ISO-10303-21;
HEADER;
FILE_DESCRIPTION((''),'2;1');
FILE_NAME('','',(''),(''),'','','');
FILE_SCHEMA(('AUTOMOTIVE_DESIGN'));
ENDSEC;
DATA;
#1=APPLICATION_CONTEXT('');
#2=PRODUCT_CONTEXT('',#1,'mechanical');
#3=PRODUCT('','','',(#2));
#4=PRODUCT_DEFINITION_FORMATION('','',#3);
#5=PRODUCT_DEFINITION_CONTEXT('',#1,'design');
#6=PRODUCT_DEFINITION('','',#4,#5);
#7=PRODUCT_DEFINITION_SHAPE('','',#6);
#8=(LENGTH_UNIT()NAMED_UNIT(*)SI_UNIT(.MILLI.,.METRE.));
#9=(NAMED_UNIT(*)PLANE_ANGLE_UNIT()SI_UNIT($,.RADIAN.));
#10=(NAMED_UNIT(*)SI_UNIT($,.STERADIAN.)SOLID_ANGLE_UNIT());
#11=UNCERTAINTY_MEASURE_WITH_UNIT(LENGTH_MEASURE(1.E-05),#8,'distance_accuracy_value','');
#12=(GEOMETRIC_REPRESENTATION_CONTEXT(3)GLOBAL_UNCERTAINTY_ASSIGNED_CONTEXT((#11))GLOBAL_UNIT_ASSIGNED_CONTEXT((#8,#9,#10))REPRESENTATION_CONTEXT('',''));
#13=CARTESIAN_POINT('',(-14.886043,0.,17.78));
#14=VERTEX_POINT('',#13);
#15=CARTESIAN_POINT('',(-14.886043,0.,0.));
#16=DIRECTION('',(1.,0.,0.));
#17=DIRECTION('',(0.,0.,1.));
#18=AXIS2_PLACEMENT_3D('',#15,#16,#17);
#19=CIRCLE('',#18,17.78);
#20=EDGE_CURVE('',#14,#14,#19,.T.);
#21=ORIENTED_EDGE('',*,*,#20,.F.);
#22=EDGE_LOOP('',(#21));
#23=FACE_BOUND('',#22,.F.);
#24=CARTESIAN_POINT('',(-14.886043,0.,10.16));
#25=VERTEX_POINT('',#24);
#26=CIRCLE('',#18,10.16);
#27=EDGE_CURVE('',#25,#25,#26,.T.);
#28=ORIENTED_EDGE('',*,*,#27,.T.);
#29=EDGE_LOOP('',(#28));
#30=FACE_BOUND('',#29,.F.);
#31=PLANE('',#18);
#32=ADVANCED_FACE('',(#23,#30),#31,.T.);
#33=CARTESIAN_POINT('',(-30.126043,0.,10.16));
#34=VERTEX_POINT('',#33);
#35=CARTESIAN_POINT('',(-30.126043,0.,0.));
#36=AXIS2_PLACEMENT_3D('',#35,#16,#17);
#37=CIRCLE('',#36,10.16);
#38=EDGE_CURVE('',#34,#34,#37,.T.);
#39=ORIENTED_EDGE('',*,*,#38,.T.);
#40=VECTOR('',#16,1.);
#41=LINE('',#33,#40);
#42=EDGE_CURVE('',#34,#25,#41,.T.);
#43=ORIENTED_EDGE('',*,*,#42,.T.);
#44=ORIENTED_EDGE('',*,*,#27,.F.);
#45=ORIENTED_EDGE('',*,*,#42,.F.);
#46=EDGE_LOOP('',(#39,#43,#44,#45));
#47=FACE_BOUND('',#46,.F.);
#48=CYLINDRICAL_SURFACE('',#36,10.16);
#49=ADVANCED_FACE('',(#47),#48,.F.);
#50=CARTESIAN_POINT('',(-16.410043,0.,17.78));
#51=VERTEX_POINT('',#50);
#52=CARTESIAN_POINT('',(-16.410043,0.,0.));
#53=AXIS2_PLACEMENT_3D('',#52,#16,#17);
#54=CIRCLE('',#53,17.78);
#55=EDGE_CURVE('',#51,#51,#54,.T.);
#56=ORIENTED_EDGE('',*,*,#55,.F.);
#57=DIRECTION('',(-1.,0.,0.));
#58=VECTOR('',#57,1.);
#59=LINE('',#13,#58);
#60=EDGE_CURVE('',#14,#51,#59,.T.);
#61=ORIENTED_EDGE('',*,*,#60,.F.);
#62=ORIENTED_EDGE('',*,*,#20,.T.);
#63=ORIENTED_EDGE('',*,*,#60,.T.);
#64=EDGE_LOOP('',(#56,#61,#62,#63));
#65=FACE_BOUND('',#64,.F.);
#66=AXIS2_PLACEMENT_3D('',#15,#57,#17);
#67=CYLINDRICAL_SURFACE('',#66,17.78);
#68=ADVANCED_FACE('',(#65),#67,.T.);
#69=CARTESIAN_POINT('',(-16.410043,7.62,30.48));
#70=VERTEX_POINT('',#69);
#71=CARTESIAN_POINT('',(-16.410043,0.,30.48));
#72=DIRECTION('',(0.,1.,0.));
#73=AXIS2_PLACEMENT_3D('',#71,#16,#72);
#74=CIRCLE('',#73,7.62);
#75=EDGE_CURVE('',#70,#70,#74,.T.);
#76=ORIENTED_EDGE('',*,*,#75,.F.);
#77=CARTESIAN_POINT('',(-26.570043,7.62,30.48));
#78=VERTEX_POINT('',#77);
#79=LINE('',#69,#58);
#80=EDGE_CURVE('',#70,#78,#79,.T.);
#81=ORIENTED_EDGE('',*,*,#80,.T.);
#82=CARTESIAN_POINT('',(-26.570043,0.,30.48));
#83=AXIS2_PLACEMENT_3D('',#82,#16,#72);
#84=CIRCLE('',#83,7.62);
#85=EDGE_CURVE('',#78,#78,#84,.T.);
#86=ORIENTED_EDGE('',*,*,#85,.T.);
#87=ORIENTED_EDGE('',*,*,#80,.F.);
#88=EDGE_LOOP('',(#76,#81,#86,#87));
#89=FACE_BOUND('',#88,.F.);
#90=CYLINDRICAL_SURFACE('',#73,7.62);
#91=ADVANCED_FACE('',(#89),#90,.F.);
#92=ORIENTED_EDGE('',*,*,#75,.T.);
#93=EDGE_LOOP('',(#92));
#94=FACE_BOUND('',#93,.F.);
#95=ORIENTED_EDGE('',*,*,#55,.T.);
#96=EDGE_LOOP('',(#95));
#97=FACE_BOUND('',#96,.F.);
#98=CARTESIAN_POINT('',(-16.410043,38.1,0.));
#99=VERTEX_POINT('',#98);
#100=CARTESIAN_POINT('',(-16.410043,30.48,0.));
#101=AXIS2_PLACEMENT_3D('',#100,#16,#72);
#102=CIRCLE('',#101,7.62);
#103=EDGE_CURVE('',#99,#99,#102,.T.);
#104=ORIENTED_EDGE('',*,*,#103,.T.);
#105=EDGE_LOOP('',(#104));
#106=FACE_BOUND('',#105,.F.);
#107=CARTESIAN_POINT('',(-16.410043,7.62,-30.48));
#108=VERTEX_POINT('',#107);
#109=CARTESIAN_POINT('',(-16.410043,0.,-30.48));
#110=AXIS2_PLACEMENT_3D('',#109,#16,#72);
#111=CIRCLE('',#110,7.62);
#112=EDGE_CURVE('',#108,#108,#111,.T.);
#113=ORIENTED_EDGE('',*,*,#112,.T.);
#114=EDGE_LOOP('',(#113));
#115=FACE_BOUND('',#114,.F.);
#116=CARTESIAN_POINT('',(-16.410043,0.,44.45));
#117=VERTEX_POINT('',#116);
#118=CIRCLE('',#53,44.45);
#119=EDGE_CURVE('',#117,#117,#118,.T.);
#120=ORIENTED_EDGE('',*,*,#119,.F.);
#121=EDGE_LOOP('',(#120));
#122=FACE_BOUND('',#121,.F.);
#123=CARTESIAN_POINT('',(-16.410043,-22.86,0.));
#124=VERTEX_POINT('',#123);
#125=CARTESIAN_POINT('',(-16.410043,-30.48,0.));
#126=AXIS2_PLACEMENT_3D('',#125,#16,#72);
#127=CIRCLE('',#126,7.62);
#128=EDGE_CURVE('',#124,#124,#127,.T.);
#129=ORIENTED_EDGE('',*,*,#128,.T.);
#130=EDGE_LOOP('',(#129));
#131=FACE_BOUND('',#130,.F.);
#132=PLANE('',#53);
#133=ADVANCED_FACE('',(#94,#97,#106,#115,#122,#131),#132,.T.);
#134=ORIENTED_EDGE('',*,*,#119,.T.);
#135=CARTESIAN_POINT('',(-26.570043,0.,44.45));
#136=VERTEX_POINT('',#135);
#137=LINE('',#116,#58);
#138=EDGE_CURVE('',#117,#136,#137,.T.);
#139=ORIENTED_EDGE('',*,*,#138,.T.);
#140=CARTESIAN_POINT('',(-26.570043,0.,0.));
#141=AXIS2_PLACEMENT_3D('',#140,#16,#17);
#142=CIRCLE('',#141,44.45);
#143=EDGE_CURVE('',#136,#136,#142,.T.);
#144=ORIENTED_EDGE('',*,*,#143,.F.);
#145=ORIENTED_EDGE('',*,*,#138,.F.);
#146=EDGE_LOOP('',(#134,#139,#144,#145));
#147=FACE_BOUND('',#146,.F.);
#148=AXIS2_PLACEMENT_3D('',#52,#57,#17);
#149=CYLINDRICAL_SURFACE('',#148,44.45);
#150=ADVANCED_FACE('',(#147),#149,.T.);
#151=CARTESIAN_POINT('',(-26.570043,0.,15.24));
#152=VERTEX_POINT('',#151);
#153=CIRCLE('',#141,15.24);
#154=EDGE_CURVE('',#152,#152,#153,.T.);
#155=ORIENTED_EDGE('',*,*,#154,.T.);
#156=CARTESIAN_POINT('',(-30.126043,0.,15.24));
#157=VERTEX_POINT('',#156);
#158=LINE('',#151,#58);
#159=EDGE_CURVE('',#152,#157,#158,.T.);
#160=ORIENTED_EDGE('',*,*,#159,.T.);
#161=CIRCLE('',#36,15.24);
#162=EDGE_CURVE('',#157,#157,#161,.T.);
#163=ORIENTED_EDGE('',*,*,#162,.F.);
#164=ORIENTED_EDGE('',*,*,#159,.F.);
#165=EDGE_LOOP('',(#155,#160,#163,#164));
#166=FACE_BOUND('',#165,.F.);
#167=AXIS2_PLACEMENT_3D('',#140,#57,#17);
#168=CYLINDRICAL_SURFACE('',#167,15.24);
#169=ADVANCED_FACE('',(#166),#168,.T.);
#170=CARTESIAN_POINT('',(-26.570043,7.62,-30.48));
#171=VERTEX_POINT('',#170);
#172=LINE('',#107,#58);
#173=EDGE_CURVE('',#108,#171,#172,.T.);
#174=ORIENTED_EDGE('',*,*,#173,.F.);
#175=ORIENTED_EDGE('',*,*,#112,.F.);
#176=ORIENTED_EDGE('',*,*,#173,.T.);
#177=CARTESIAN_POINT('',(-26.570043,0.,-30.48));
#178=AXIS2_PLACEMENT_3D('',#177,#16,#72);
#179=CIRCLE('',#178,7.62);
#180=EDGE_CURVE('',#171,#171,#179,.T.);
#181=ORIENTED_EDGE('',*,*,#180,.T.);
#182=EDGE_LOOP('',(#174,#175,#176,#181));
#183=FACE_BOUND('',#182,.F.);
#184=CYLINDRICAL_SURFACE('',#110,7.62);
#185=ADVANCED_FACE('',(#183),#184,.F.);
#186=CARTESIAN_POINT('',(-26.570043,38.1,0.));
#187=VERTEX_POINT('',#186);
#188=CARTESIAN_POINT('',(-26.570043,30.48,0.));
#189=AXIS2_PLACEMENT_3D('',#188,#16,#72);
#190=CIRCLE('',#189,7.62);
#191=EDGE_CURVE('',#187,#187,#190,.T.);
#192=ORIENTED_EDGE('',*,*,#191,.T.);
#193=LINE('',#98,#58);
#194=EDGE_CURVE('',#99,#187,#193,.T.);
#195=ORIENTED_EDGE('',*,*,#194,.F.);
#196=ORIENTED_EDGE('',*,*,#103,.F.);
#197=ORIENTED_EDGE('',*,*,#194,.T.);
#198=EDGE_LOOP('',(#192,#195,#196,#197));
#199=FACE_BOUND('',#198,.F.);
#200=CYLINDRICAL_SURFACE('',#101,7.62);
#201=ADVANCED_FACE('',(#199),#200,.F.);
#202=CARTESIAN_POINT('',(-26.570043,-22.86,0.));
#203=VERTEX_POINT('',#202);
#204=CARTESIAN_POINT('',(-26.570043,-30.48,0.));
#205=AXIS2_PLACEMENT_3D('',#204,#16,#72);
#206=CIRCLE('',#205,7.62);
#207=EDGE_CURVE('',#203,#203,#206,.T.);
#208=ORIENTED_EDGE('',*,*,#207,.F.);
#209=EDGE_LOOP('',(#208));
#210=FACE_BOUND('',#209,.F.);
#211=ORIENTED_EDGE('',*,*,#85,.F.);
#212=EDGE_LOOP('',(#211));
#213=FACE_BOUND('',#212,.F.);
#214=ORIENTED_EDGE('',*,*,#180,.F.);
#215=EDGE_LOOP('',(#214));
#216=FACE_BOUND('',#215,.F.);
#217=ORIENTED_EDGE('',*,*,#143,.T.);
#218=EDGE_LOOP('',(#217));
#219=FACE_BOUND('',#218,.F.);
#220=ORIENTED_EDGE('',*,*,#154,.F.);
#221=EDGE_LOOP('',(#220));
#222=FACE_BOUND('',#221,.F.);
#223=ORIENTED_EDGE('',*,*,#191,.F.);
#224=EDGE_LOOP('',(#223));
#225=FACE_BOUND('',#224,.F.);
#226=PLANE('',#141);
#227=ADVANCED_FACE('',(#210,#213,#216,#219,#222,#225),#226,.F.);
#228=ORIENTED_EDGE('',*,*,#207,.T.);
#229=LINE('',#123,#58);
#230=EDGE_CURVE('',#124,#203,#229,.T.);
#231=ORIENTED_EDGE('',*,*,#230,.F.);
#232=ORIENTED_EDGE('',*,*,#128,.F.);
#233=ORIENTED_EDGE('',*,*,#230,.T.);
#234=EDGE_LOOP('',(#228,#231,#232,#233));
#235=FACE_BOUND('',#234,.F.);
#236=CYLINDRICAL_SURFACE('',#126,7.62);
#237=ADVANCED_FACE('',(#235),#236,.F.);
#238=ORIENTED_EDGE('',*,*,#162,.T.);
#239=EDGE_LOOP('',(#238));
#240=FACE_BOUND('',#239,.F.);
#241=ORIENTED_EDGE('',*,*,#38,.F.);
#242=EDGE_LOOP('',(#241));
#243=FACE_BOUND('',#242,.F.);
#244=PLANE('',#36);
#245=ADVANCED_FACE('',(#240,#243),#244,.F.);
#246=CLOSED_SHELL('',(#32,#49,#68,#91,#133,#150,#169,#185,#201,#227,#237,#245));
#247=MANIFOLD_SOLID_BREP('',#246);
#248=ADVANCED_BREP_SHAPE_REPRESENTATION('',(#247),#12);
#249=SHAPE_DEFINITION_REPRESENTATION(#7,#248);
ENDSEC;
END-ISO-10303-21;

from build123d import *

# Parameters (mm, degrees)
F2_R     = 7.62
F3_DEPTH = 13.717


with BuildPart() as f1:
    # F0 (on Front) → F1 (revolve)
    with BuildSketch(Plane.XZ):
        Polygon((-30.126043, 15.24), (-30.126043, 10.16), (-14.886043, 10.16), (-14.886043, 17.78), (-16.410043, 17.78), (-16.410043, 44.45), (-26.570043, 44.45), (-26.570043, 15.24), align=None)
    revolve(axis=Axis((-11.575326, 0, 0), (1, 0, 0)))

    # F2 (on face) → F3 (cut, through all)
    with BuildSketch(Plane.YZ.offset(-16.410043)):
        with Locations((0, 30.48)):
            Circle(F2_R)
        with Locations((-30.48, 0)):
            Circle(F2_R)
        with Locations((0, -30.48)):
            Circle(F2_R)
        with Locations((30.48, 0)):
            Circle(F2_R)
    extrude(amount=-F3_DEPTH, mode=Mode.SUBTRACT)


solid = f1.part
